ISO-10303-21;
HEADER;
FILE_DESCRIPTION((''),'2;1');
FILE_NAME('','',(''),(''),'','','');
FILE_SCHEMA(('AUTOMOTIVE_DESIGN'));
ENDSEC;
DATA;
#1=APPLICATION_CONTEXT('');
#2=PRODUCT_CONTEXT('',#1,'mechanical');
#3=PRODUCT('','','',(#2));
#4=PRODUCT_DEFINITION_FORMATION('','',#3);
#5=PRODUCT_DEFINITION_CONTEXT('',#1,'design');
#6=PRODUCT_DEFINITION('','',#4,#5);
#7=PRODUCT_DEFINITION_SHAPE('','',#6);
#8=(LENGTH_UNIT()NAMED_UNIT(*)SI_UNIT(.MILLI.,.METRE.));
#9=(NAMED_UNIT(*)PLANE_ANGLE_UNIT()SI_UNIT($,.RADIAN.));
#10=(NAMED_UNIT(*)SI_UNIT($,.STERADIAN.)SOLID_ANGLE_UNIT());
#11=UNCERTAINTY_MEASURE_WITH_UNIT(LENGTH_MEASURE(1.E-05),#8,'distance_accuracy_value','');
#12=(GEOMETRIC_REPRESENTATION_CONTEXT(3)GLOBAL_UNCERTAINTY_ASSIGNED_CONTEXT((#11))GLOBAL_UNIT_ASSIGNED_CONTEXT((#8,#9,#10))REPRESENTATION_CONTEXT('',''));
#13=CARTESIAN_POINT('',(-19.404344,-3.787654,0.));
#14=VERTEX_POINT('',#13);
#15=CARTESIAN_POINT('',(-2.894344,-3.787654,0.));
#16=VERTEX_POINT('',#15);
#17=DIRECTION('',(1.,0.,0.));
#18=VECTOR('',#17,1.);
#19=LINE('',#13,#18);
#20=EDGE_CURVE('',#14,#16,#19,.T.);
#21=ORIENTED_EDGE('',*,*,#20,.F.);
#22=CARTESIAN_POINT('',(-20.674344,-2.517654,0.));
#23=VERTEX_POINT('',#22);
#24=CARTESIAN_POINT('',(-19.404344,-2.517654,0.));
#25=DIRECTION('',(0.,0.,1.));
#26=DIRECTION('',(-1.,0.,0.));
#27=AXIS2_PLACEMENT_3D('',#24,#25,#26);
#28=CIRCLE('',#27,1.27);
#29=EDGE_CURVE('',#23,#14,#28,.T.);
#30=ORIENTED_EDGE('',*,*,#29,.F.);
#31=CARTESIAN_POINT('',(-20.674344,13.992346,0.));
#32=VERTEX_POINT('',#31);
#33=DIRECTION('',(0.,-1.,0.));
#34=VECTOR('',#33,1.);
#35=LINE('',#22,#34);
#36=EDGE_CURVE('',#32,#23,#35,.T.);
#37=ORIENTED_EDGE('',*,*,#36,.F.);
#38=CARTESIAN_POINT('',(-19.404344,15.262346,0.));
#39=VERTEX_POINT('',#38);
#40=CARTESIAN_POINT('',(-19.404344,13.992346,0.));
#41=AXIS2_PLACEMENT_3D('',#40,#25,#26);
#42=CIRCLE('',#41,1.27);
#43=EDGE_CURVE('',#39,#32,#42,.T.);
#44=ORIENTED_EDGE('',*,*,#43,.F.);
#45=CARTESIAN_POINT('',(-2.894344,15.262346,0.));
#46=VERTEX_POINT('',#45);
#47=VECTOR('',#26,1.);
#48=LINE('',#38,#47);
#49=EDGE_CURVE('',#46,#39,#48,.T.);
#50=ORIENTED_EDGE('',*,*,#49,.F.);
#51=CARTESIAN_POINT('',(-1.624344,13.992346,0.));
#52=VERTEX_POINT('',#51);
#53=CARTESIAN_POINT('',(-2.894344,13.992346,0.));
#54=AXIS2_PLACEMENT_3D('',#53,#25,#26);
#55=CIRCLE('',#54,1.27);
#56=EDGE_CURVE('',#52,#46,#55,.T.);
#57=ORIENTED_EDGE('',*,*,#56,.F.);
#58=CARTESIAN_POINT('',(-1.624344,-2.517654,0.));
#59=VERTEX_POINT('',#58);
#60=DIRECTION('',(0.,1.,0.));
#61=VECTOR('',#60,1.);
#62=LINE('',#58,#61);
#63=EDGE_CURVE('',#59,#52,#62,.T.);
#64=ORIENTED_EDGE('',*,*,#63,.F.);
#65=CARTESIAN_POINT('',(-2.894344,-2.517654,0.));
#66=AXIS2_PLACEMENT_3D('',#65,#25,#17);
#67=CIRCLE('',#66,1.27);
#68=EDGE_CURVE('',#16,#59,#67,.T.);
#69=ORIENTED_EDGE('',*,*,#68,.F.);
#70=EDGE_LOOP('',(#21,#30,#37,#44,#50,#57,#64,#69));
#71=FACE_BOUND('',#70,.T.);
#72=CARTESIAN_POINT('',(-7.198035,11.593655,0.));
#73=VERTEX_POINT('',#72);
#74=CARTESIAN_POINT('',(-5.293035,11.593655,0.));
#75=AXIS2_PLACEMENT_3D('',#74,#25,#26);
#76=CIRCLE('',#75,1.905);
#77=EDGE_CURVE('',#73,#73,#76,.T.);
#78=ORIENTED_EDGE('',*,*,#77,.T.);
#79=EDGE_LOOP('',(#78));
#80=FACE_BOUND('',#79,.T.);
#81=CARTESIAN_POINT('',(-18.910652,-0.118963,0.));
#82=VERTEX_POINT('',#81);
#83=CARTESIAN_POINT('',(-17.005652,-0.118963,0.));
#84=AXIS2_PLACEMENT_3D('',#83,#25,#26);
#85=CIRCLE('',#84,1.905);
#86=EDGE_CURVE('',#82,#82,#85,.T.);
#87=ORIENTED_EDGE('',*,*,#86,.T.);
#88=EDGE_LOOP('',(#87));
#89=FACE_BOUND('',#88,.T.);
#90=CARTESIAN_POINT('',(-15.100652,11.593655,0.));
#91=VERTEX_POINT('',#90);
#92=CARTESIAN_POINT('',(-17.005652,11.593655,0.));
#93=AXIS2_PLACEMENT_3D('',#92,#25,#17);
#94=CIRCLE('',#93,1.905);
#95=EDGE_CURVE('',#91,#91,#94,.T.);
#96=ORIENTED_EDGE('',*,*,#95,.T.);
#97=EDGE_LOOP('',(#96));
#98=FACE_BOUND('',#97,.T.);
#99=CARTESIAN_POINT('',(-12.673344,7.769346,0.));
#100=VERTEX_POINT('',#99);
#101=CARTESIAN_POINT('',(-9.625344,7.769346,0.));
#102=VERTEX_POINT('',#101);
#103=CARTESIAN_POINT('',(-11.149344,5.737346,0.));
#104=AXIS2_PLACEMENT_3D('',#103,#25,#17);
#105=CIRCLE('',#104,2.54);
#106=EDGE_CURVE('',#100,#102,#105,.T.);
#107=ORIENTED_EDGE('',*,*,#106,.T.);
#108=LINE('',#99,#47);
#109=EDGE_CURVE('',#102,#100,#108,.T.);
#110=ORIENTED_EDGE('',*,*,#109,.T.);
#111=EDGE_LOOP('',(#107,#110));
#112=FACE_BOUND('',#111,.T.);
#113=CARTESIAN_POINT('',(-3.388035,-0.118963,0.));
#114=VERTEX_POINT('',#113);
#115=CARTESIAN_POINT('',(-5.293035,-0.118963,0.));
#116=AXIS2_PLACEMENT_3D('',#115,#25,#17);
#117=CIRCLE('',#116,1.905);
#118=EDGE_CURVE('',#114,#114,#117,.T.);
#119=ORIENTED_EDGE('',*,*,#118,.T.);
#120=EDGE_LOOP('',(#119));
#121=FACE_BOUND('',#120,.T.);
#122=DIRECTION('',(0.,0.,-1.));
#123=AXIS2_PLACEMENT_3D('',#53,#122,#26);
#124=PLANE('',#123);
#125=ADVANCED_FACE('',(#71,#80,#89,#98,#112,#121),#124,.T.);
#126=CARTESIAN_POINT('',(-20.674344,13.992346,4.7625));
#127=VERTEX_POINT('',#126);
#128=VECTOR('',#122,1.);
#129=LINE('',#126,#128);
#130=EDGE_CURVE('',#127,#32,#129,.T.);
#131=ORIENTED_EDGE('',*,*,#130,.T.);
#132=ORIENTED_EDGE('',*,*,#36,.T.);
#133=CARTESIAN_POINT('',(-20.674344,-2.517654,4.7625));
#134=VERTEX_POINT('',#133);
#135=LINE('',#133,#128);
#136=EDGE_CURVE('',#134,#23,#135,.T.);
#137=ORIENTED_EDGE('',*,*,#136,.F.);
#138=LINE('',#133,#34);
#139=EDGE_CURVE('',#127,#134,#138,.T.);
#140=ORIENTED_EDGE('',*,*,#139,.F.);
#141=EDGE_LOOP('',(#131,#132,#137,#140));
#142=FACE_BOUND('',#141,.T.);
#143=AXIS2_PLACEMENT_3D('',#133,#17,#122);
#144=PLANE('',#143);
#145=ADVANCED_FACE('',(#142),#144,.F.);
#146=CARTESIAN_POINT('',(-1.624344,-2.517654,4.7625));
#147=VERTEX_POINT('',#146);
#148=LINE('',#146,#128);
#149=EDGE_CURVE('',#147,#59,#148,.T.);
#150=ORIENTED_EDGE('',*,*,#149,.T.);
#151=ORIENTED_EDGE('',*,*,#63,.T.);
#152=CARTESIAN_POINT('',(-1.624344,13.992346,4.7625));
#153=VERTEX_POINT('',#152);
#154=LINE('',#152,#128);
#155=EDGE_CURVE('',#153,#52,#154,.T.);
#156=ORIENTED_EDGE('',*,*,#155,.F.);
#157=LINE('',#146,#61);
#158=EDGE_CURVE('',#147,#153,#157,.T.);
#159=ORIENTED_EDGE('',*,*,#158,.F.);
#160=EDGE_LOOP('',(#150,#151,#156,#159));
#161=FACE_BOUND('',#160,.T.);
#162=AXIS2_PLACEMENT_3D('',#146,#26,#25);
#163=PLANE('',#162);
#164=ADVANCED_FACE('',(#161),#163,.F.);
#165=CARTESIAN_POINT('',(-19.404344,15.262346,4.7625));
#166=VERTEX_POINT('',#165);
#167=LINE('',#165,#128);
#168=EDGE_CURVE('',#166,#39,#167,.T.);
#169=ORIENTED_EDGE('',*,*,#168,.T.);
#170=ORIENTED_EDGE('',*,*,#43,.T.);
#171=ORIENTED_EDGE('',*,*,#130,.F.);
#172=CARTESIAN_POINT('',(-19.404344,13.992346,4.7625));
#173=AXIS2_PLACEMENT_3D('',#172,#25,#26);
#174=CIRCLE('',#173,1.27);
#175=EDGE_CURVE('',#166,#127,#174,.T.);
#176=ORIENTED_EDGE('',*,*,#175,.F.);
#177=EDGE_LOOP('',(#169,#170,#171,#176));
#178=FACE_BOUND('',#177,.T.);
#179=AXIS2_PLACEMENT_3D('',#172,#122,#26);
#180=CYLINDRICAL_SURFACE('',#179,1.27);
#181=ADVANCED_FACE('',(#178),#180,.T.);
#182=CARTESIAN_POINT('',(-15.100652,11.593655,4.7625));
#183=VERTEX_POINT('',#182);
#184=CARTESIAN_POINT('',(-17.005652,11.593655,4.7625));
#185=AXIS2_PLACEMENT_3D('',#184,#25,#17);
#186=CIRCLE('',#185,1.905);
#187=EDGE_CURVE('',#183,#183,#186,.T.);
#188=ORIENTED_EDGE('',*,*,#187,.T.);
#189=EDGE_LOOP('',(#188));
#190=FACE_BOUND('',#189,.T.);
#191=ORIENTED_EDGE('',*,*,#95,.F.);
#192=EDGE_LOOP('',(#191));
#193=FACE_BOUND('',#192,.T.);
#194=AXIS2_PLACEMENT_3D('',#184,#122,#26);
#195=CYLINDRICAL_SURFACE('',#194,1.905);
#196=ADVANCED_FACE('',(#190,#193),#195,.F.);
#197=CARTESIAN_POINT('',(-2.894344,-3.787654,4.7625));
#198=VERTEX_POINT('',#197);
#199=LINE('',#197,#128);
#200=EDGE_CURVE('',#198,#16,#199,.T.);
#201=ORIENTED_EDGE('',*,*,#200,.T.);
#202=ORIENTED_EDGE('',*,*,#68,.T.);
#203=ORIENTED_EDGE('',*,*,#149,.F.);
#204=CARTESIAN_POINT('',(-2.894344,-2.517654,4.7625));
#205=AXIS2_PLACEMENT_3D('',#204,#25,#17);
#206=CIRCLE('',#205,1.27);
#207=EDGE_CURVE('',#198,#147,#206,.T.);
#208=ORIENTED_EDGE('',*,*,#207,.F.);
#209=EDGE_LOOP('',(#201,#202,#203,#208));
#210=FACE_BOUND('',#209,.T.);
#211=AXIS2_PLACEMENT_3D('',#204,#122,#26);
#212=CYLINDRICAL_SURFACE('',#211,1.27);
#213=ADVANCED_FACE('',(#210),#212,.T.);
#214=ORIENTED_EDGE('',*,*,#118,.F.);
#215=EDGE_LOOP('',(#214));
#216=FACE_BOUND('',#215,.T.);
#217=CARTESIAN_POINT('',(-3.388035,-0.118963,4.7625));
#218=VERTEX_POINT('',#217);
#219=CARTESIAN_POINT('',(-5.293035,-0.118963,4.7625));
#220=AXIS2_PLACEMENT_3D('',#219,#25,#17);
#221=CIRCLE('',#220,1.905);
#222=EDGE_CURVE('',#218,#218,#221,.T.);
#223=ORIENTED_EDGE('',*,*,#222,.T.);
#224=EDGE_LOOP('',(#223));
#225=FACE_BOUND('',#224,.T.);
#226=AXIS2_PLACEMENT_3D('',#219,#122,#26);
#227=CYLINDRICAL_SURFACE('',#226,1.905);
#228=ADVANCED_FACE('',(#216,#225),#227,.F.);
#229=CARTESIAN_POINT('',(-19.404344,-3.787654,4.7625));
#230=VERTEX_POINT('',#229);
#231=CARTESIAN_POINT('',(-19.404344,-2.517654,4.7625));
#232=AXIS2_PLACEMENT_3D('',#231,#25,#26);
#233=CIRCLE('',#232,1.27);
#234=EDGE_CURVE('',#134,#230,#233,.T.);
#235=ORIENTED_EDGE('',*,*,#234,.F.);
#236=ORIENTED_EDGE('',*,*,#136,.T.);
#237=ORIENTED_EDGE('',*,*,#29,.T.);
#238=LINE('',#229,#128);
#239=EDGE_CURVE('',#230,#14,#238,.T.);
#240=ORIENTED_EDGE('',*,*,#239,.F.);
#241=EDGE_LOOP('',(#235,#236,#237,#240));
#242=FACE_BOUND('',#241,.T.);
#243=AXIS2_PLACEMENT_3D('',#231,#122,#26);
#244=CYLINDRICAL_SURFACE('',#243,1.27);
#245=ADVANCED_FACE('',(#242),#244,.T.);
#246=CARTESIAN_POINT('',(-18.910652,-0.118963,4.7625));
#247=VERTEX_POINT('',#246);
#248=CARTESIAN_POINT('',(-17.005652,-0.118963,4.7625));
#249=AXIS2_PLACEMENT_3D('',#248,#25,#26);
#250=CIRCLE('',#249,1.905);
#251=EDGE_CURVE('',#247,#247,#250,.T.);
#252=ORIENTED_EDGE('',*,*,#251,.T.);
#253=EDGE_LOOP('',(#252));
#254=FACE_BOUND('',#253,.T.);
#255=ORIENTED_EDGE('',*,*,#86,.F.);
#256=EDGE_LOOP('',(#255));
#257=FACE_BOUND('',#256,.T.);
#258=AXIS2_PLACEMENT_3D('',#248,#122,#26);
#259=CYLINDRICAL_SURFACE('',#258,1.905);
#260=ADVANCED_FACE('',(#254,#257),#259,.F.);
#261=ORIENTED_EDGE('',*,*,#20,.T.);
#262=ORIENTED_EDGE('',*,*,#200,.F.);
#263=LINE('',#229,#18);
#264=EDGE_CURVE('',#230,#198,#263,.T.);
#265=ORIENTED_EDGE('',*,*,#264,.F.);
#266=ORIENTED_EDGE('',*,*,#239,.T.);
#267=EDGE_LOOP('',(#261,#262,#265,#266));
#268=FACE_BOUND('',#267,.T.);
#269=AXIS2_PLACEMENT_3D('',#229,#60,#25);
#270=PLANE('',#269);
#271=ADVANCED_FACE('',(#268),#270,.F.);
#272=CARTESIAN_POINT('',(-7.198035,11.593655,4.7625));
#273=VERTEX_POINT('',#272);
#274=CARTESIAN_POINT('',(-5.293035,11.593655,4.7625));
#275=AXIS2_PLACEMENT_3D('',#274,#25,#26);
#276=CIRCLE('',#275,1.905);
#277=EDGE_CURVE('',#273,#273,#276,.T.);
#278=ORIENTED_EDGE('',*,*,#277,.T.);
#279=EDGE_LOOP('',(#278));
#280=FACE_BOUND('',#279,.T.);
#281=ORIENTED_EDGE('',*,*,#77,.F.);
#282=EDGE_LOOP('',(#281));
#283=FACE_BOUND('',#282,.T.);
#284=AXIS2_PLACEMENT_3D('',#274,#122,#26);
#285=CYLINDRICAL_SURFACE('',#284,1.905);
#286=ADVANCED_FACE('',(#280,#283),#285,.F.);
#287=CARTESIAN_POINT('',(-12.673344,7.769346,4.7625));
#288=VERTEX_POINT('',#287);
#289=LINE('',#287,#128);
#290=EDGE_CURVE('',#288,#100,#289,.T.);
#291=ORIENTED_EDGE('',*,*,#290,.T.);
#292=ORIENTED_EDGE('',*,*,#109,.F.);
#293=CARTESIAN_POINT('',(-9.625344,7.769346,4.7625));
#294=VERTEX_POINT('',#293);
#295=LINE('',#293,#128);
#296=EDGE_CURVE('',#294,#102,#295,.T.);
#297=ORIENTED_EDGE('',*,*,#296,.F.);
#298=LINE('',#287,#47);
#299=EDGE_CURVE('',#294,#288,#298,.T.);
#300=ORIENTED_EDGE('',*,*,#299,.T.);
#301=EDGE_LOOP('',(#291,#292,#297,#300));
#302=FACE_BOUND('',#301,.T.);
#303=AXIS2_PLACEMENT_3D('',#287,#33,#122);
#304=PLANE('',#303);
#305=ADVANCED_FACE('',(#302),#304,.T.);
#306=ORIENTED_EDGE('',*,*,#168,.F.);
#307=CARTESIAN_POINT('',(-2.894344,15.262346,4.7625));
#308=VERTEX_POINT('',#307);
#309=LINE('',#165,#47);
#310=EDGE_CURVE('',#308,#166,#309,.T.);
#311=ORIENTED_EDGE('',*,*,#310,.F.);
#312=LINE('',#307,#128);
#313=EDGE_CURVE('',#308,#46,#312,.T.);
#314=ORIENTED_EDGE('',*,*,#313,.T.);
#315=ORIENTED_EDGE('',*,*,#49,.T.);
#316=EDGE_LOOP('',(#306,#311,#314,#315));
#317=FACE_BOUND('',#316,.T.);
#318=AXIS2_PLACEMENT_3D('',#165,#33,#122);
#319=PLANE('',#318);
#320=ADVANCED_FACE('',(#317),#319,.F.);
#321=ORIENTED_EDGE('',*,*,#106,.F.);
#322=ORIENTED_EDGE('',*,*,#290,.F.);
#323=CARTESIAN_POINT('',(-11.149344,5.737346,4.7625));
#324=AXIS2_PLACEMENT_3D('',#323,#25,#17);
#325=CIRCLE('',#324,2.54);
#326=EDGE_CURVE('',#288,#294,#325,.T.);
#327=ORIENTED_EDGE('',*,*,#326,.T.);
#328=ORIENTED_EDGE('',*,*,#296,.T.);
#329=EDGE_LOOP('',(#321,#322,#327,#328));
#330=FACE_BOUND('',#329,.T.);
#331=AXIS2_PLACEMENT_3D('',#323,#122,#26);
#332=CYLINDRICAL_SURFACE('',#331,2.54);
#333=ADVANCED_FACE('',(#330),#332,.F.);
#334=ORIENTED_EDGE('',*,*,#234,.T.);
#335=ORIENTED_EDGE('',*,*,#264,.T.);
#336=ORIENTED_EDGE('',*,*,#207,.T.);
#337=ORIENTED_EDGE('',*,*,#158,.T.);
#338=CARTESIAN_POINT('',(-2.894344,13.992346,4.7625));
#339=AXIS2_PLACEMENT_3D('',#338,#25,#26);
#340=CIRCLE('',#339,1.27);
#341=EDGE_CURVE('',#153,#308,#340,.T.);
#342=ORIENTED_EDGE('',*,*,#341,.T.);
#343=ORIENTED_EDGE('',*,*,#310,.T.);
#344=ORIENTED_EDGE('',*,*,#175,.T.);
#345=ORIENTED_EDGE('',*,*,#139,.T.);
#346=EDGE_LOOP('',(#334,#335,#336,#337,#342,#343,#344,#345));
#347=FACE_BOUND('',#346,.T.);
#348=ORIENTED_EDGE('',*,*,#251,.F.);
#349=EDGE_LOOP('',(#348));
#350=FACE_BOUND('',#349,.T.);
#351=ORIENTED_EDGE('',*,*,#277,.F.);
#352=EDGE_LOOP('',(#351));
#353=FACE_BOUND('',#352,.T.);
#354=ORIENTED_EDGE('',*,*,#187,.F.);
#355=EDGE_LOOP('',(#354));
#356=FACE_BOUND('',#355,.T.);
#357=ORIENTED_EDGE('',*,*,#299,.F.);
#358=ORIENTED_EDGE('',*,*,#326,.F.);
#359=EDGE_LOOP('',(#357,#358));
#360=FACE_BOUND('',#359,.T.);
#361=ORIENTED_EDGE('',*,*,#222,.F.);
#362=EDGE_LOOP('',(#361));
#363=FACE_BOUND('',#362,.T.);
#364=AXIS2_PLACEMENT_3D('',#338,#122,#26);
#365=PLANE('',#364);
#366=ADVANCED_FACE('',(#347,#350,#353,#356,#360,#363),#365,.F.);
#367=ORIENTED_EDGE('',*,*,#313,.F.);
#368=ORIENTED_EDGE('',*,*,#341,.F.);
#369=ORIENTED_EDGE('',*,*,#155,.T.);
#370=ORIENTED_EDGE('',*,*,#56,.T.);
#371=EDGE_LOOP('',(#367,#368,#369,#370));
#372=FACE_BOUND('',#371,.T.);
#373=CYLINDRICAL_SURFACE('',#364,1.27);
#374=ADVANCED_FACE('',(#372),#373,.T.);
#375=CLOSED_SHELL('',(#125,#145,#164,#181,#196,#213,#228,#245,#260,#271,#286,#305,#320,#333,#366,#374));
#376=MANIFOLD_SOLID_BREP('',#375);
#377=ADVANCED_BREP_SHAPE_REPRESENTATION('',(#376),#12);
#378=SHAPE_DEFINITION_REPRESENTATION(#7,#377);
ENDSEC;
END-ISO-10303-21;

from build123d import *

# Parameters (mm, degrees)
SKETCH2_R           = 1.905
BOSS_EXTRUDE1_DEPTH = 4.7625


with BuildPart() as part:
    # Sketch2 → Boss-Extrude1 (new body)
    with BuildSketch(Plane.XY):
        with BuildLine():
            Line((-19.404343504, -3.787653884), (-2.894343504, -3.787653884))
            ThreePointArc((-2.894343504, -3.787653884), (-1.996317892, -3.415679496), (-1.624343504, -2.517653884))
            Line((-1.624343504, -2.517653884), (-1.624343504, 13.992346116))
            ThreePointArc((-1.624343504, 13.992346116), (-1.996317892, 14.890371728), (-2.894343504, 15.262346116))
            Line((-2.894343504, 15.262346116), (-19.404343504, 15.262346116))
            ThreePointArc((-19.404343504, 15.262346116), (-20.302369116, 14.890371728), (-20.674343504, 13.992346116))
            Line((-20.674343504, 13.992346116), (-20.674343504, -2.517653884))
            ThreePointArc((-20.674343504, -2.517653884), (-20.302369116, -3.415679496), (-19.404343504, -3.787653884))
        make_face()
        with Locations((-17.005652309, 11.593654921)):
            Circle(SKETCH2_R, mode=Mode.SUBTRACT)
        with Locations((-5.2930347, 11.593654921)):
            Circle(SKETCH2_R, mode=Mode.SUBTRACT)
        with Locations((-5.2930347, -0.118962689)):
            Circle(SKETCH2_R, mode=Mode.SUBTRACT)
        with Locations((-17.005652309, -0.118962689)):
            Circle(SKETCH2_R, mode=Mode.SUBTRACT)
        with BuildLine():
            Line((-12.673343504, 7.769346116), (-9.625343504, 7.769346116))
            ThreePointArc((-9.625343504, 7.769346116), (-11.149343504, 3.197346116), (-12.673343504, 7.769346116))
        make_face(mode=Mode.SUBTRACT)
    extrude(amount=BOSS_EXTRUDE1_DEPTH)


solid = part.part
